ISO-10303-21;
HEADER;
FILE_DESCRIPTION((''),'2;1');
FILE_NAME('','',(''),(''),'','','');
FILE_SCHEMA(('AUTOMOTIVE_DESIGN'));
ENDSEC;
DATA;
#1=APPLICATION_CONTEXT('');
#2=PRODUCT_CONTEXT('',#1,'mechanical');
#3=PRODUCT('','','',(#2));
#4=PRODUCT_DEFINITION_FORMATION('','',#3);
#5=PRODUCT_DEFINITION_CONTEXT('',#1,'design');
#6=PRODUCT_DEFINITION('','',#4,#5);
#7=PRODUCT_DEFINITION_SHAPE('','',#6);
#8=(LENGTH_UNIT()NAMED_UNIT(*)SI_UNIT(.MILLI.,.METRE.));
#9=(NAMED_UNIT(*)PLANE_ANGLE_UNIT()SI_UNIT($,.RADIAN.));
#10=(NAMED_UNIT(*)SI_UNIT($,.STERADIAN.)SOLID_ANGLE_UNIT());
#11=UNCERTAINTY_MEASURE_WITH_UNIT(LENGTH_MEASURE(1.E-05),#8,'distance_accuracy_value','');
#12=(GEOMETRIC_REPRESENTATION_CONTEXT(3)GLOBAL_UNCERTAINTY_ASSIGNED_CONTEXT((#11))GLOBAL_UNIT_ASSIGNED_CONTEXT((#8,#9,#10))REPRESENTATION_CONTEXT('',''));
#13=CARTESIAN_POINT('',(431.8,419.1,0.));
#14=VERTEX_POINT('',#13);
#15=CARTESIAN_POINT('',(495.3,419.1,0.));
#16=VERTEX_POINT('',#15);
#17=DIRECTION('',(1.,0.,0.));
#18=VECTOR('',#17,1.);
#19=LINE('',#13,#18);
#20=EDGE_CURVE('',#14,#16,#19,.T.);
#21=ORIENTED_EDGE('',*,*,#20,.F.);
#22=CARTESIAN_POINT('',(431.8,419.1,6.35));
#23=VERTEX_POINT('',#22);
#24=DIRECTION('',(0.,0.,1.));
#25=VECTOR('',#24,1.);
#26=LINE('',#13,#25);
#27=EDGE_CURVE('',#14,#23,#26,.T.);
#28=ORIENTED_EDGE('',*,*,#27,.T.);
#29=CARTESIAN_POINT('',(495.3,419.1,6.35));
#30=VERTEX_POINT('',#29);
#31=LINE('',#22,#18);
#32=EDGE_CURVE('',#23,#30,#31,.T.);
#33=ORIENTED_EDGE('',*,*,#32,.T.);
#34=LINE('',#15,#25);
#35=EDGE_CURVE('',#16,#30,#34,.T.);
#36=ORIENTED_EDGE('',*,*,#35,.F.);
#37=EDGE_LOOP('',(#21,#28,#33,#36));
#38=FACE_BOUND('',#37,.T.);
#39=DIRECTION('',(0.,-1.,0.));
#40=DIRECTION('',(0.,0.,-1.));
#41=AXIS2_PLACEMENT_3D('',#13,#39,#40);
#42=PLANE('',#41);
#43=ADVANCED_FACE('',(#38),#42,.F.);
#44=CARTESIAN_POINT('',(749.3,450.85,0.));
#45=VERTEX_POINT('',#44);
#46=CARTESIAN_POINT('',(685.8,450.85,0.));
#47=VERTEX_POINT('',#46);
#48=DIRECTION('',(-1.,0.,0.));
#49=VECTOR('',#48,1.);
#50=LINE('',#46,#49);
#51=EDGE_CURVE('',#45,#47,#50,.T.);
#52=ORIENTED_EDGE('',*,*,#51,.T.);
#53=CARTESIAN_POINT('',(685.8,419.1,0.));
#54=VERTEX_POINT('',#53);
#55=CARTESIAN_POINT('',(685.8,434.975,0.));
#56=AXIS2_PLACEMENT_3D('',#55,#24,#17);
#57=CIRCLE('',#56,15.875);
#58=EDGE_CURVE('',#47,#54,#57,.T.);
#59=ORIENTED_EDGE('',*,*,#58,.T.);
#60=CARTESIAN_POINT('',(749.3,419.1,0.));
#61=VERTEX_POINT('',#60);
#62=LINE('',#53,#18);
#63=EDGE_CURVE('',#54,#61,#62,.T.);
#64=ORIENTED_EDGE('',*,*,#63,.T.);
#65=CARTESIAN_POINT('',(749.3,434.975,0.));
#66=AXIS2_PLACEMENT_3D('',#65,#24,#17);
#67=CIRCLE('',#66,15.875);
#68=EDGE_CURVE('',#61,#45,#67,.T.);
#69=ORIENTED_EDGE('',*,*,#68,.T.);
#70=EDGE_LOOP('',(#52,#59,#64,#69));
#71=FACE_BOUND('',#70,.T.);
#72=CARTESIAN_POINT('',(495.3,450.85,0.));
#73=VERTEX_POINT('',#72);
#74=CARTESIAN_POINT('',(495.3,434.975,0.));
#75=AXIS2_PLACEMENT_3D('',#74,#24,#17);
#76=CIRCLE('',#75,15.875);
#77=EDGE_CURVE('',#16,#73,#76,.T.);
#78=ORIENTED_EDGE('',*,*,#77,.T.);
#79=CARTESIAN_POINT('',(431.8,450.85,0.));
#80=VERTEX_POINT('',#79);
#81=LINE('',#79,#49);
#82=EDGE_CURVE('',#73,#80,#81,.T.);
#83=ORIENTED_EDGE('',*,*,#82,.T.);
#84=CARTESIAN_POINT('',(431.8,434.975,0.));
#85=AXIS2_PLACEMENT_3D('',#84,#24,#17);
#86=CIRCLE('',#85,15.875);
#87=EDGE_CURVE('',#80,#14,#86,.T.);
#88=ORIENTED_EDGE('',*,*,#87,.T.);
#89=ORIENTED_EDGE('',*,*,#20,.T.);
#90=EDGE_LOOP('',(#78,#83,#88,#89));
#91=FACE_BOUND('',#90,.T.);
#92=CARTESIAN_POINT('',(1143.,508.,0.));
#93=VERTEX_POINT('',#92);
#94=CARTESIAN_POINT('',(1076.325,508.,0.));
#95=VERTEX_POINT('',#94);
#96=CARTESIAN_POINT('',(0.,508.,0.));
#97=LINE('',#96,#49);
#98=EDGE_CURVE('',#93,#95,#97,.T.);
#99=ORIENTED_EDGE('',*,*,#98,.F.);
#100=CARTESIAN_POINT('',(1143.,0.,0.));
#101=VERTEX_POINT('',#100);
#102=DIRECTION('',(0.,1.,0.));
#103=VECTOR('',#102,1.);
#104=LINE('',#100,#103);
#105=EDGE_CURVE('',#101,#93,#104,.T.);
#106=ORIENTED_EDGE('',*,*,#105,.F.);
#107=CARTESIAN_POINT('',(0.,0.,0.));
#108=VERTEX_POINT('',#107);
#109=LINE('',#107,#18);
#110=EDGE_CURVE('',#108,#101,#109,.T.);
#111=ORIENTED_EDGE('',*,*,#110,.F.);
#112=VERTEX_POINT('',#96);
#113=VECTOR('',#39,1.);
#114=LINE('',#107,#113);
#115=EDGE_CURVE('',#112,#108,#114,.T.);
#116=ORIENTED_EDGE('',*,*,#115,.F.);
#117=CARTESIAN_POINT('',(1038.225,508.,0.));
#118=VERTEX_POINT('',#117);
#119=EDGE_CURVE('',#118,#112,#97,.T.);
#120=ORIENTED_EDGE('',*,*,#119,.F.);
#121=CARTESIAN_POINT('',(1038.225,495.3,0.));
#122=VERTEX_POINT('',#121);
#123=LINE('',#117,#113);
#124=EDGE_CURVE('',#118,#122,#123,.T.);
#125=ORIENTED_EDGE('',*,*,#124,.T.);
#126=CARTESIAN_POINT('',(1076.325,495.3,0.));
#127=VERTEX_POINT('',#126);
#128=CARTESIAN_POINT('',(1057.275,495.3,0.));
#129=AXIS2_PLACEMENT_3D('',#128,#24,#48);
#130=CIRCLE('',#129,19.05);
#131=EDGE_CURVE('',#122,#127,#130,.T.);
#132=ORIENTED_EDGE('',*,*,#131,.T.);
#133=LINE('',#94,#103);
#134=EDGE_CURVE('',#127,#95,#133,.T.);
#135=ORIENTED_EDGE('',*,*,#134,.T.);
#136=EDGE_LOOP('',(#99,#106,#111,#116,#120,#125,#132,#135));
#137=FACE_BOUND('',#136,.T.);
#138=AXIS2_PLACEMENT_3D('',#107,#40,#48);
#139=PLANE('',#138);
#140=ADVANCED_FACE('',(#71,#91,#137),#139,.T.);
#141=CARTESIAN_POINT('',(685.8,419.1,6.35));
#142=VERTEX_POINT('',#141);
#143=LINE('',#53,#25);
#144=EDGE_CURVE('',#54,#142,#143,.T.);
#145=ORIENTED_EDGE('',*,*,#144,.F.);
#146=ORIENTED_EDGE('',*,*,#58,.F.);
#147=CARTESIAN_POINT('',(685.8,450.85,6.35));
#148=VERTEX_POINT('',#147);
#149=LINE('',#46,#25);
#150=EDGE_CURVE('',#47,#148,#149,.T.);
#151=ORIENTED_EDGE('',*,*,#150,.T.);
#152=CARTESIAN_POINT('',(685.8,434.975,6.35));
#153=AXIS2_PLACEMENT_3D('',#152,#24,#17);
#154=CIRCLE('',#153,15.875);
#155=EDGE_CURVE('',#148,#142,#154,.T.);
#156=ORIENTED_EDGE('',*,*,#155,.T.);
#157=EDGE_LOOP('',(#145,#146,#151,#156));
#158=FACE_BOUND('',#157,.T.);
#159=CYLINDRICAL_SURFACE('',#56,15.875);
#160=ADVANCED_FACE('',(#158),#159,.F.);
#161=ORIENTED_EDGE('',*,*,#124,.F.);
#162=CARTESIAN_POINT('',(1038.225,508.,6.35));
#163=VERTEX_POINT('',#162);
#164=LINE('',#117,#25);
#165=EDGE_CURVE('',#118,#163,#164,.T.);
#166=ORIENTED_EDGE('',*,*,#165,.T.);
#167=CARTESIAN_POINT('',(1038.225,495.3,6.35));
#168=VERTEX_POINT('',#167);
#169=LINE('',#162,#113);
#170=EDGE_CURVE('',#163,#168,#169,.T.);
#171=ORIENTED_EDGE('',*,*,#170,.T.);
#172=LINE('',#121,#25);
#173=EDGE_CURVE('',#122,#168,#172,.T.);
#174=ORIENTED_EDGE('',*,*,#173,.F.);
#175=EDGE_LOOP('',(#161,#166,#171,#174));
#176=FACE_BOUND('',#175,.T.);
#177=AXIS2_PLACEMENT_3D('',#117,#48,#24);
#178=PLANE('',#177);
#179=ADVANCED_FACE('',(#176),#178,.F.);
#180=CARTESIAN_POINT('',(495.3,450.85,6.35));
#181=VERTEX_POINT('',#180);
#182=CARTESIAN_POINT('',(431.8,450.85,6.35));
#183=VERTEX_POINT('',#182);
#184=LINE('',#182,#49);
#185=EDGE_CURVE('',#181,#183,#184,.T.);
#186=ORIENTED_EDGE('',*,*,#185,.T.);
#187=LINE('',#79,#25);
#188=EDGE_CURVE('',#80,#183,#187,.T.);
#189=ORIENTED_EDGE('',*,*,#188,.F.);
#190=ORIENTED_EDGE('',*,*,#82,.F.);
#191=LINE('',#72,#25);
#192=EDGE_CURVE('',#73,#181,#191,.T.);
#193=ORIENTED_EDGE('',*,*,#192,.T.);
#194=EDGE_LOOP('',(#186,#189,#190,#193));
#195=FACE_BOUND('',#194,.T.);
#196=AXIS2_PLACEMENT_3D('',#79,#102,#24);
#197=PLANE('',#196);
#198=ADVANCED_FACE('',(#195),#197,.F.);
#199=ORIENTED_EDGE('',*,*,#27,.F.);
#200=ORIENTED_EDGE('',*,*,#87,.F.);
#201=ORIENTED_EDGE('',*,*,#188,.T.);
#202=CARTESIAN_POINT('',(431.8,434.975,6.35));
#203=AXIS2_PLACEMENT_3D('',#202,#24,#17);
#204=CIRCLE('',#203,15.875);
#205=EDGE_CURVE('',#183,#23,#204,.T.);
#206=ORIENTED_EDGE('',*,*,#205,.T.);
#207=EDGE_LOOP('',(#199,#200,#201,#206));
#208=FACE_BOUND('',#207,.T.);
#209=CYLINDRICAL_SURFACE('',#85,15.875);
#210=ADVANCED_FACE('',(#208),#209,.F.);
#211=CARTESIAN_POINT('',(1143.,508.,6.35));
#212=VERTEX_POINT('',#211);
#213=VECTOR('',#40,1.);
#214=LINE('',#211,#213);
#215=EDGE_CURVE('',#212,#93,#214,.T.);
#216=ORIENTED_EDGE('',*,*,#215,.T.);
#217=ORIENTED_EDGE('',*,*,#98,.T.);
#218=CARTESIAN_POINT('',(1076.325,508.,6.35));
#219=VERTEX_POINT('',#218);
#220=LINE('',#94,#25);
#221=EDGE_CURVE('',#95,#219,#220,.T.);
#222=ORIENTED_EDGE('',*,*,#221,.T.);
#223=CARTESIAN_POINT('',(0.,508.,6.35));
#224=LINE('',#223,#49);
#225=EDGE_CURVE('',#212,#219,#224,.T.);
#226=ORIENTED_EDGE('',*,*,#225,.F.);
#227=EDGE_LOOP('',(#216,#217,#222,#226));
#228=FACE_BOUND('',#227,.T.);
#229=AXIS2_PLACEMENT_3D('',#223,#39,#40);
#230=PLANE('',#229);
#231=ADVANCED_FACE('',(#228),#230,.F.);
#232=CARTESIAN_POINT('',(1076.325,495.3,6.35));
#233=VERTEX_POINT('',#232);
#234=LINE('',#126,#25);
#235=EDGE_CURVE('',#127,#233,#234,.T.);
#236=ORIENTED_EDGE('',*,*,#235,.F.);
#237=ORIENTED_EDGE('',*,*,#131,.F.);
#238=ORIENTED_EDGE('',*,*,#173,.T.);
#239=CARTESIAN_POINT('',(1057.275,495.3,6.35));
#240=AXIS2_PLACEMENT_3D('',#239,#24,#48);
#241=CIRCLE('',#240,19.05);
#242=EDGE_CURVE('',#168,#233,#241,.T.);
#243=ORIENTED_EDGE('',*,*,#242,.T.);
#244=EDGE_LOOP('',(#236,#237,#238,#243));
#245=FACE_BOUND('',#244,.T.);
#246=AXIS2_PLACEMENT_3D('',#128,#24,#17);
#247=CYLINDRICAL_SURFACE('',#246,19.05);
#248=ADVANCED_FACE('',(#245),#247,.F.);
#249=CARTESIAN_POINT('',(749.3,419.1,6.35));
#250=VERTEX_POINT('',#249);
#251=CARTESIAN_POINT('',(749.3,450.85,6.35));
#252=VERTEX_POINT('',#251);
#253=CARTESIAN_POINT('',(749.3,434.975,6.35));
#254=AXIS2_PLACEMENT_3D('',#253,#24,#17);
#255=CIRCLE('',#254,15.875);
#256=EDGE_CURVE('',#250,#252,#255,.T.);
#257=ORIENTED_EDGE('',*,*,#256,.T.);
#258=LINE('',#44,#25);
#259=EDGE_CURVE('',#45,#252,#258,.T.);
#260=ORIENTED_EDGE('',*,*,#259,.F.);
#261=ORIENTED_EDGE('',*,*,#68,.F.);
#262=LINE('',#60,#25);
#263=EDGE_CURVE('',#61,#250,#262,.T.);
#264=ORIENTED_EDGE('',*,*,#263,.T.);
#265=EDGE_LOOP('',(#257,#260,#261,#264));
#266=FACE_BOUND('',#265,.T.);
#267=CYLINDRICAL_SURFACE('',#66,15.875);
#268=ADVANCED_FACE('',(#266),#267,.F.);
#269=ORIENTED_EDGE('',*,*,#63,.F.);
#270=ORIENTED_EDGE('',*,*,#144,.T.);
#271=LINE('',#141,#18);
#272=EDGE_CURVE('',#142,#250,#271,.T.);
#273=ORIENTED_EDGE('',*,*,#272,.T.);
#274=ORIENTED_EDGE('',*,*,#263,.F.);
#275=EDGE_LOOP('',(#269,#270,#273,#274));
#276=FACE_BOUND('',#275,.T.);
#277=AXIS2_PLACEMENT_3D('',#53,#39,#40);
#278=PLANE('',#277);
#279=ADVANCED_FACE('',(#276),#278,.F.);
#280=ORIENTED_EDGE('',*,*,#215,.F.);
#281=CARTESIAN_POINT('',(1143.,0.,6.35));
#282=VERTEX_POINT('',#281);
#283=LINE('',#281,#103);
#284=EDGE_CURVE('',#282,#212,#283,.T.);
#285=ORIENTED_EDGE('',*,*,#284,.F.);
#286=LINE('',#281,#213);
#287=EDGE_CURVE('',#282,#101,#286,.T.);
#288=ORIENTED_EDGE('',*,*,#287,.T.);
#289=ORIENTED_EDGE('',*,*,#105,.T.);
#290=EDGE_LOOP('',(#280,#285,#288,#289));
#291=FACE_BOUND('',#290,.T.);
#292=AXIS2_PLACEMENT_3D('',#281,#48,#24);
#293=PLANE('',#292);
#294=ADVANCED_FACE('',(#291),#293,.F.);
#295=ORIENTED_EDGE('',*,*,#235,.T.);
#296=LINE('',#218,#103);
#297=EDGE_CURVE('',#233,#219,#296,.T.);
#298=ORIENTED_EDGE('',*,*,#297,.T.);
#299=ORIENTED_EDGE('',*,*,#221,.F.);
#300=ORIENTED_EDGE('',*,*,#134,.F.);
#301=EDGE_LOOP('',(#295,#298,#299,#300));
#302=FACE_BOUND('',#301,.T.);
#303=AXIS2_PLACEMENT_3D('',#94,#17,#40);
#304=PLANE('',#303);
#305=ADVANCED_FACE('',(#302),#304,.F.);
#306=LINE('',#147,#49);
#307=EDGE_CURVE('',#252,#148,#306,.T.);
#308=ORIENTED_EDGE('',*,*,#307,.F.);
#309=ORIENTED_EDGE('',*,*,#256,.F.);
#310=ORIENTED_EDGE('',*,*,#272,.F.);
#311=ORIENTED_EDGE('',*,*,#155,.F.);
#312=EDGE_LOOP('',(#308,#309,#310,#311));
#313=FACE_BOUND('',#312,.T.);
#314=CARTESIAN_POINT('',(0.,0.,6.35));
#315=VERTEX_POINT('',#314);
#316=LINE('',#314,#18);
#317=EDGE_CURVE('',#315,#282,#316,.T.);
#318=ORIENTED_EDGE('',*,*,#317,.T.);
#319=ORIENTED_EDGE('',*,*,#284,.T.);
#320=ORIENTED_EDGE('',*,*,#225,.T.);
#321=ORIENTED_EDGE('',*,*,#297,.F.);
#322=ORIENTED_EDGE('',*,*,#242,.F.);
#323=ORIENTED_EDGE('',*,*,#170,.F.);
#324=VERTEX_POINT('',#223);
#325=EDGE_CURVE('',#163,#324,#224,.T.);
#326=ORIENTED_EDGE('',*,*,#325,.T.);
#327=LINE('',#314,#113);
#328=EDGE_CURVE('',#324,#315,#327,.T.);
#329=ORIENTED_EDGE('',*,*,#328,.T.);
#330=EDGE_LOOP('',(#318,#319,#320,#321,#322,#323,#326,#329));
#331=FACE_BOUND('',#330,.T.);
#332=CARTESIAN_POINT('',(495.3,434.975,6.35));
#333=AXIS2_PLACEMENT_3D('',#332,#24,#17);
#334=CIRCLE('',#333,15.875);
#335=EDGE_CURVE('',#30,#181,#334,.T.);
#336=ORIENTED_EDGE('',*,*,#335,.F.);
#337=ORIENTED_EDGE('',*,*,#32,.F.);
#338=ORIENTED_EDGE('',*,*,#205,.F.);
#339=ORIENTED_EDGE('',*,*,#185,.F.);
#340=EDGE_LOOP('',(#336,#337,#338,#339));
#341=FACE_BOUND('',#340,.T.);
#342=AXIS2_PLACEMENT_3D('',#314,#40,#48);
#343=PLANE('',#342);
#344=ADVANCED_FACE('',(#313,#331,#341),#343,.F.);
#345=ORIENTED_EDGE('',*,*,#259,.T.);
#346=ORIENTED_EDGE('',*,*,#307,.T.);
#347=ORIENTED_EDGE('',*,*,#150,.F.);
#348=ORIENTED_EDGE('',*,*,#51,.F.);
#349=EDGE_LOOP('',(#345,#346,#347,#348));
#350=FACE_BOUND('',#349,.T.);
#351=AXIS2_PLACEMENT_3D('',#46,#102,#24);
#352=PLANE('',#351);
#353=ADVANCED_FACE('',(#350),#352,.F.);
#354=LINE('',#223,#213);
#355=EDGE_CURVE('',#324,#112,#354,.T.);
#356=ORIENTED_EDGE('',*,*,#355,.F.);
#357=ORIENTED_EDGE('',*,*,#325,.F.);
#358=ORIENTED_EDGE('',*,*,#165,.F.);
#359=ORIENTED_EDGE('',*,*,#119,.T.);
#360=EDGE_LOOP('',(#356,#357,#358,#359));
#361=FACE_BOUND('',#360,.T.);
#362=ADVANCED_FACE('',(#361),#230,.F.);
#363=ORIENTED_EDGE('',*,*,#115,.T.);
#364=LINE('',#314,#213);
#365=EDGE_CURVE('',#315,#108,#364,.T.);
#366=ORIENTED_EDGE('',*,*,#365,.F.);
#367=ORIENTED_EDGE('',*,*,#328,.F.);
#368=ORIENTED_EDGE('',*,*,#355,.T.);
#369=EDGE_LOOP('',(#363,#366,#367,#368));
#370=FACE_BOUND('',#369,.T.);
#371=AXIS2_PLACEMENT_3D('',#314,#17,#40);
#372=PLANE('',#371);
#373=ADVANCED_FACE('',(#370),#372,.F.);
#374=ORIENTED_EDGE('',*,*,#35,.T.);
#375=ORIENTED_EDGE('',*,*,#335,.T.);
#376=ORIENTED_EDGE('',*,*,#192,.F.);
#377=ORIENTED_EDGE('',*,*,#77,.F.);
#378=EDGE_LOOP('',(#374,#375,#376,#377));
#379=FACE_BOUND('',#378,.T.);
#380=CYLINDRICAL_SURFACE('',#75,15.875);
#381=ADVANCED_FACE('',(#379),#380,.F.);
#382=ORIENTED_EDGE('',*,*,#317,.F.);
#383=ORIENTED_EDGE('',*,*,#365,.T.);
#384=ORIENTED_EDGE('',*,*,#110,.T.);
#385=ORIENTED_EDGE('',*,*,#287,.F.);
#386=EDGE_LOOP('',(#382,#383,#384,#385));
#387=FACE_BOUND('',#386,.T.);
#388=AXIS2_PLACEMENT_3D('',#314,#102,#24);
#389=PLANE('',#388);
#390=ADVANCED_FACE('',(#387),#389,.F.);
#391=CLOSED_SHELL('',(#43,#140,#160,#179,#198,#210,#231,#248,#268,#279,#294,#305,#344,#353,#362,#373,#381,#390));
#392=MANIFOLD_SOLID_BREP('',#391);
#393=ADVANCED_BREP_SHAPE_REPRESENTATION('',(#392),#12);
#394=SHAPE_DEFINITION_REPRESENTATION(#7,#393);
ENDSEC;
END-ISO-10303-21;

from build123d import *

# Parameters (mm, degrees)
SKETCH1_W           = 1143
SKETCH1_H           = 508
BOSS_EXTRUDE1_DEPTH = 6.35
CUT_EXTRUDE1_DEPTH  = 7.35
CUT_EXTRUDE2_DEPTH  = 7.35


with BuildPart() as part:
    # Sketch1 → Boss-Extrude1 (new body)
    with BuildSketch(Plane.XY):
        with Locations((571.5, 254)):
            Rectangle(SKETCH1_W, SKETCH1_H)
    extrude(amount=BOSS_EXTRUDE1_DEPTH)

    # Sketch2 → Cut-Extrude1 (cut, through all)
    with BuildSketch(Plane.XY.offset(6.35)):
        with BuildLine():
            Line((431.8, 450.85), (495.3, 450.85))
            ThreePointArc((495.3, 450.85), (511.175, 434.975), (495.3, 419.1))
            Line((495.3, 419.1), (431.8, 419.1))
            ThreePointArc((431.8, 419.1), (415.925, 434.975), (431.8, 450.85))
        make_face()
        with BuildLine():
            Line((685.8, 450.85), (749.3, 450.85))
            ThreePointArc((749.3, 450.85), (765.175, 434.975), (749.3, 419.1))
            Line((749.3, 419.1), (685.8, 419.1))
            ThreePointArc((685.8, 419.1), (669.925, 434.975), (685.8, 450.85))
        make_face()
    extrude(amount=-CUT_EXTRUDE1_DEPTH, mode=Mode.SUBTRACT)

    # Sketch6 → Cut-Extrude2 (cut, through all)
    with BuildSketch(Plane.XY.offset(6.35)):
        with BuildLine():
            Line((1038.225, 508), (1076.325, 508))
            Line((1076.325, 508), (1076.325, 495.3))
            ThreePointArc((1076.325, 495.3), (1057.275, 476.25), (1038.225, 495.3))
            Line((1038.225, 495.3), (1038.225, 508))
        make_face()
    extrude(amount=-CUT_EXTRUDE2_DEPTH, mode=Mode.SUBTRACT)


solid = part.part
